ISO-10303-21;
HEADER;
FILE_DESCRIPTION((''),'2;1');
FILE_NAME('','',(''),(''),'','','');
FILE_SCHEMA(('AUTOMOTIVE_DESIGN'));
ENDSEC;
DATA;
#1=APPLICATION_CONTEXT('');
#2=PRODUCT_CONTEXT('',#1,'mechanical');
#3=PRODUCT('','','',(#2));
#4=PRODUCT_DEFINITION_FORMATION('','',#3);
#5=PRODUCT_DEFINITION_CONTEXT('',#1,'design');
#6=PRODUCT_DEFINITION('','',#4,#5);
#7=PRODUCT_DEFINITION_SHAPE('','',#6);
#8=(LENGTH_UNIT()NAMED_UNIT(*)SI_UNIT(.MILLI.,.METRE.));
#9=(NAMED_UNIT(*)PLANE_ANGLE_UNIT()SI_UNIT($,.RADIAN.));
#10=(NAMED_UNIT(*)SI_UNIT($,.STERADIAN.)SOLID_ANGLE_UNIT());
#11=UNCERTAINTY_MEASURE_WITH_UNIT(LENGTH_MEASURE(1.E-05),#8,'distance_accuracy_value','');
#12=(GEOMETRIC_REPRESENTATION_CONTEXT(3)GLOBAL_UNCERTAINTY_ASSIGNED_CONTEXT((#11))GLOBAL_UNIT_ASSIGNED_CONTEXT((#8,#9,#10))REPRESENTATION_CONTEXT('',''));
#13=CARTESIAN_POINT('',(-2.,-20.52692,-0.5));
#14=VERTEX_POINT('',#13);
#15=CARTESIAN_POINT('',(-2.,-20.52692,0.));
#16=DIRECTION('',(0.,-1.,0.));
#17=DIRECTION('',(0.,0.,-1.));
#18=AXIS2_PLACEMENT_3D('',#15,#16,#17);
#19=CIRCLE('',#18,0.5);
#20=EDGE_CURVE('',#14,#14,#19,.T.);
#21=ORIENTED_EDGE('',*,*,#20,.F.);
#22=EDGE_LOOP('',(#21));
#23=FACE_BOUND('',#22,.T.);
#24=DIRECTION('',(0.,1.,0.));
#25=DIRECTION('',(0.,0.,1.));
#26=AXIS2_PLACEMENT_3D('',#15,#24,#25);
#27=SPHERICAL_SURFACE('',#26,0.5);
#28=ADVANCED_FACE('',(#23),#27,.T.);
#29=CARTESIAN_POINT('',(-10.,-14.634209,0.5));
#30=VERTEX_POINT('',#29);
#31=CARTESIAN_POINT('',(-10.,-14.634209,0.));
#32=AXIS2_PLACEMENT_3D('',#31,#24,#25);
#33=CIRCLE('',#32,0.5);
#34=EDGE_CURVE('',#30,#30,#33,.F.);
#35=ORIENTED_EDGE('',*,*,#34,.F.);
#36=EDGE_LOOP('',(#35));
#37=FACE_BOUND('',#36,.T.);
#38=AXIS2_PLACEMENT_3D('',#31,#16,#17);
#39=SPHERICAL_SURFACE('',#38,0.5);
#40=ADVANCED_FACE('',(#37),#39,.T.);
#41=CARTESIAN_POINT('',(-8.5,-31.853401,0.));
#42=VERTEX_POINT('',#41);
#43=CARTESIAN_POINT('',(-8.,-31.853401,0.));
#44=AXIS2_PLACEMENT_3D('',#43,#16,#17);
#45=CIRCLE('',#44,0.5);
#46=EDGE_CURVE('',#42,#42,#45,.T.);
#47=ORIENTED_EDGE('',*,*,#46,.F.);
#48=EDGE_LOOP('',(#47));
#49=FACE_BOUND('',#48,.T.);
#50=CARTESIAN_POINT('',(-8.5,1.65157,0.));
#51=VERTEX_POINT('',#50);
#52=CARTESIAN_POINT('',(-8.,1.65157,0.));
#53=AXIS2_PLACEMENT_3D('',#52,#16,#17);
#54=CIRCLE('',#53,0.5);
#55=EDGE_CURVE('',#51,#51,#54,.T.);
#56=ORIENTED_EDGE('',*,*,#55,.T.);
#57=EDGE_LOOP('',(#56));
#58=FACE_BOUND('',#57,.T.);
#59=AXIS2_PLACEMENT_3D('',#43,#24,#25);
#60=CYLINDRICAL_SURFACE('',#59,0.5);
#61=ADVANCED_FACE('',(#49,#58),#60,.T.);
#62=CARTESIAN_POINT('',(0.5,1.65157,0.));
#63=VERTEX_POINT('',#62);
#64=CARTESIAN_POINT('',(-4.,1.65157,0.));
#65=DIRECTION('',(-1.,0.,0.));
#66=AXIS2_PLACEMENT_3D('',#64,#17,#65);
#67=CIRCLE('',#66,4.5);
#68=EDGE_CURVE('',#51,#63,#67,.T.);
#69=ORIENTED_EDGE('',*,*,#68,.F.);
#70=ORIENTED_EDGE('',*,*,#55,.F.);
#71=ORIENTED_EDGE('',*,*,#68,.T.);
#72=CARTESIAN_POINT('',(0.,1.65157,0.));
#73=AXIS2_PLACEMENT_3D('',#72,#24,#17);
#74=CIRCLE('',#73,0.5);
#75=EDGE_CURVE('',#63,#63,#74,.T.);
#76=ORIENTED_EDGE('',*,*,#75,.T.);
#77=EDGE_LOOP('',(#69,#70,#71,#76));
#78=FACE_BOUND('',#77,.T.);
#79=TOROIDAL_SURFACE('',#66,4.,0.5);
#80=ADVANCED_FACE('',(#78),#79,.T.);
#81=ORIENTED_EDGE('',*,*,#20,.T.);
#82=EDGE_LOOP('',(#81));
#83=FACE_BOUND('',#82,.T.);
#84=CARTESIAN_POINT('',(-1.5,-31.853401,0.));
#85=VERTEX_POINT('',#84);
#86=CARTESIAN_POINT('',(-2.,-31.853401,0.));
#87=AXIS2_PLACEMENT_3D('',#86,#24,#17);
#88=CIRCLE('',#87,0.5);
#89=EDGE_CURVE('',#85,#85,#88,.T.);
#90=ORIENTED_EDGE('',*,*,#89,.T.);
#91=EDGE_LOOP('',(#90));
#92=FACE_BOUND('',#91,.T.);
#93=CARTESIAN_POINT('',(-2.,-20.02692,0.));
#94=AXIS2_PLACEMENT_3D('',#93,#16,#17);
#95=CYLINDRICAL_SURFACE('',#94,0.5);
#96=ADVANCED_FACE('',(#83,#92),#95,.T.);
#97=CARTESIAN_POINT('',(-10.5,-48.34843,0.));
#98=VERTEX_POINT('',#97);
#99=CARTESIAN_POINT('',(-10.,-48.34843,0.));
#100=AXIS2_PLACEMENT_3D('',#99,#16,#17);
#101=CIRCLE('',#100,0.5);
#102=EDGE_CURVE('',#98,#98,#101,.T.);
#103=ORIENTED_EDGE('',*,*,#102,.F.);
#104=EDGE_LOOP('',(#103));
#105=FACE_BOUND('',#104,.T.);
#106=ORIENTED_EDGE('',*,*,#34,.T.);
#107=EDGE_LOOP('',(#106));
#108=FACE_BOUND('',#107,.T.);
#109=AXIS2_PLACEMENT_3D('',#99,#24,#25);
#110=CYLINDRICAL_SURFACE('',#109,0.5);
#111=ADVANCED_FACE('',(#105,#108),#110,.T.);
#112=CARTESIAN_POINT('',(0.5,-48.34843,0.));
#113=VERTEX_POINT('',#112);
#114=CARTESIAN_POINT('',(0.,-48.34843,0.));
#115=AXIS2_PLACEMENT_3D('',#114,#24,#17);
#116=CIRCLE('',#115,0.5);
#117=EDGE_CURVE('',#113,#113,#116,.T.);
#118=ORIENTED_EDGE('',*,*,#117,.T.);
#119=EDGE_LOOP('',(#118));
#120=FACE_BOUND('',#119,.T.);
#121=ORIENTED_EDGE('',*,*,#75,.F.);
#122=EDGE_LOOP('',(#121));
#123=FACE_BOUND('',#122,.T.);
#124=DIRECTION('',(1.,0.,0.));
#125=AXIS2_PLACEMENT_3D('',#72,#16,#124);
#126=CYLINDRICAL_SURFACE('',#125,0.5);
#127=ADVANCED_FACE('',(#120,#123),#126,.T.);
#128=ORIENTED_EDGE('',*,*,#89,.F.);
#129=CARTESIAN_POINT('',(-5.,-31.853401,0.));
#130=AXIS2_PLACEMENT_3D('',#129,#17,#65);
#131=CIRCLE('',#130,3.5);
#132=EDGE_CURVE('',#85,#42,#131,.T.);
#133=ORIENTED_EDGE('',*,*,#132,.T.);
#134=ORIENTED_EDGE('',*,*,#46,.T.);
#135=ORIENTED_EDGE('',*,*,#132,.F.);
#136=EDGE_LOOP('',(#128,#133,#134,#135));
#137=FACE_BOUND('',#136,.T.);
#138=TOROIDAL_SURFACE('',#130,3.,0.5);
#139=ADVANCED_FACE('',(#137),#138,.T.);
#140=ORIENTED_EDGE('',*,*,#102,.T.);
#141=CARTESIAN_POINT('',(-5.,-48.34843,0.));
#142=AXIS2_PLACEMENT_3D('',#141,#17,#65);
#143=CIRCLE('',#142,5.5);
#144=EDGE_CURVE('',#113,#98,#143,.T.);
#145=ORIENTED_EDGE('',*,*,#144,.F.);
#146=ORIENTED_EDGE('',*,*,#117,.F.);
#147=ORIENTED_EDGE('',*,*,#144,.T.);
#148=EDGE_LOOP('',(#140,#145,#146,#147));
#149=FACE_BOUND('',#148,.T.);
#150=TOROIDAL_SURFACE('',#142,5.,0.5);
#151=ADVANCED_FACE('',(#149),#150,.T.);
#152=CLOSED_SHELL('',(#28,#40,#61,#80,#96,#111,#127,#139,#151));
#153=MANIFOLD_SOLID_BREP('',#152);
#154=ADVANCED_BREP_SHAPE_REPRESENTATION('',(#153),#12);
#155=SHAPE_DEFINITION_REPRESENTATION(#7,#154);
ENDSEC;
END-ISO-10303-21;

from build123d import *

# Parameters (mm, degrees)
BARRER1_PROFILE_R = 0.5
REDONDEO1_R       = 0.5
REDONDEO2_R       = 0.5


with BuildPart() as part:
    # Barrer1: sweep along a path in Croquis2
    with BuildLine(Plane.XY) as barrer1_path:
        Line((-2, -20.026919646), (-2, -31.853401443))
        ThreePointArc((-2, -31.853401443), (-5, -34.853401443), (-8, -31.853401443))
        Line((-8, -31.853401443), (-8, 1.651570193))
        ThreePointArc((-8, 1.651570193), (-4, 5.651570193), (0, 1.651570193))
        Line((0, 1.651570193), (0, -48.348429807))
        ThreePointArc((0, -48.348429807), (-5, -53.348429807), (-10, -48.348429807))
        Line((-10, -48.348429807), (-10, -14.134208692))
    # Barrer1 profile (on start of the path) → Barrer1 (sweep)
    with BuildSketch(Plane(origin=(-2, -20.026919646, 0), x_dir=(0, 0, -1), z_dir=(0, -1, 0))):
        Circle(BARRER1_PROFILE_R)
    sweep(path=barrer1_path.line)

    # Redondeo1
    redondeo1_edges = [part.edges().sort_by_distance(p)[0] for p in [
        (-2, -20.026919646, 0.5),
    ]]
    fillet(redondeo1_edges, radius=REDONDEO1_R)

    # Redondeo2
    redondeo2_edges = [part.edges().sort_by_distance(p)[0] for p in [
        (-10, -14.134208692, 0.5),
    ]]
    fillet(redondeo2_edges, radius=REDONDEO2_R)


solid = part.part
